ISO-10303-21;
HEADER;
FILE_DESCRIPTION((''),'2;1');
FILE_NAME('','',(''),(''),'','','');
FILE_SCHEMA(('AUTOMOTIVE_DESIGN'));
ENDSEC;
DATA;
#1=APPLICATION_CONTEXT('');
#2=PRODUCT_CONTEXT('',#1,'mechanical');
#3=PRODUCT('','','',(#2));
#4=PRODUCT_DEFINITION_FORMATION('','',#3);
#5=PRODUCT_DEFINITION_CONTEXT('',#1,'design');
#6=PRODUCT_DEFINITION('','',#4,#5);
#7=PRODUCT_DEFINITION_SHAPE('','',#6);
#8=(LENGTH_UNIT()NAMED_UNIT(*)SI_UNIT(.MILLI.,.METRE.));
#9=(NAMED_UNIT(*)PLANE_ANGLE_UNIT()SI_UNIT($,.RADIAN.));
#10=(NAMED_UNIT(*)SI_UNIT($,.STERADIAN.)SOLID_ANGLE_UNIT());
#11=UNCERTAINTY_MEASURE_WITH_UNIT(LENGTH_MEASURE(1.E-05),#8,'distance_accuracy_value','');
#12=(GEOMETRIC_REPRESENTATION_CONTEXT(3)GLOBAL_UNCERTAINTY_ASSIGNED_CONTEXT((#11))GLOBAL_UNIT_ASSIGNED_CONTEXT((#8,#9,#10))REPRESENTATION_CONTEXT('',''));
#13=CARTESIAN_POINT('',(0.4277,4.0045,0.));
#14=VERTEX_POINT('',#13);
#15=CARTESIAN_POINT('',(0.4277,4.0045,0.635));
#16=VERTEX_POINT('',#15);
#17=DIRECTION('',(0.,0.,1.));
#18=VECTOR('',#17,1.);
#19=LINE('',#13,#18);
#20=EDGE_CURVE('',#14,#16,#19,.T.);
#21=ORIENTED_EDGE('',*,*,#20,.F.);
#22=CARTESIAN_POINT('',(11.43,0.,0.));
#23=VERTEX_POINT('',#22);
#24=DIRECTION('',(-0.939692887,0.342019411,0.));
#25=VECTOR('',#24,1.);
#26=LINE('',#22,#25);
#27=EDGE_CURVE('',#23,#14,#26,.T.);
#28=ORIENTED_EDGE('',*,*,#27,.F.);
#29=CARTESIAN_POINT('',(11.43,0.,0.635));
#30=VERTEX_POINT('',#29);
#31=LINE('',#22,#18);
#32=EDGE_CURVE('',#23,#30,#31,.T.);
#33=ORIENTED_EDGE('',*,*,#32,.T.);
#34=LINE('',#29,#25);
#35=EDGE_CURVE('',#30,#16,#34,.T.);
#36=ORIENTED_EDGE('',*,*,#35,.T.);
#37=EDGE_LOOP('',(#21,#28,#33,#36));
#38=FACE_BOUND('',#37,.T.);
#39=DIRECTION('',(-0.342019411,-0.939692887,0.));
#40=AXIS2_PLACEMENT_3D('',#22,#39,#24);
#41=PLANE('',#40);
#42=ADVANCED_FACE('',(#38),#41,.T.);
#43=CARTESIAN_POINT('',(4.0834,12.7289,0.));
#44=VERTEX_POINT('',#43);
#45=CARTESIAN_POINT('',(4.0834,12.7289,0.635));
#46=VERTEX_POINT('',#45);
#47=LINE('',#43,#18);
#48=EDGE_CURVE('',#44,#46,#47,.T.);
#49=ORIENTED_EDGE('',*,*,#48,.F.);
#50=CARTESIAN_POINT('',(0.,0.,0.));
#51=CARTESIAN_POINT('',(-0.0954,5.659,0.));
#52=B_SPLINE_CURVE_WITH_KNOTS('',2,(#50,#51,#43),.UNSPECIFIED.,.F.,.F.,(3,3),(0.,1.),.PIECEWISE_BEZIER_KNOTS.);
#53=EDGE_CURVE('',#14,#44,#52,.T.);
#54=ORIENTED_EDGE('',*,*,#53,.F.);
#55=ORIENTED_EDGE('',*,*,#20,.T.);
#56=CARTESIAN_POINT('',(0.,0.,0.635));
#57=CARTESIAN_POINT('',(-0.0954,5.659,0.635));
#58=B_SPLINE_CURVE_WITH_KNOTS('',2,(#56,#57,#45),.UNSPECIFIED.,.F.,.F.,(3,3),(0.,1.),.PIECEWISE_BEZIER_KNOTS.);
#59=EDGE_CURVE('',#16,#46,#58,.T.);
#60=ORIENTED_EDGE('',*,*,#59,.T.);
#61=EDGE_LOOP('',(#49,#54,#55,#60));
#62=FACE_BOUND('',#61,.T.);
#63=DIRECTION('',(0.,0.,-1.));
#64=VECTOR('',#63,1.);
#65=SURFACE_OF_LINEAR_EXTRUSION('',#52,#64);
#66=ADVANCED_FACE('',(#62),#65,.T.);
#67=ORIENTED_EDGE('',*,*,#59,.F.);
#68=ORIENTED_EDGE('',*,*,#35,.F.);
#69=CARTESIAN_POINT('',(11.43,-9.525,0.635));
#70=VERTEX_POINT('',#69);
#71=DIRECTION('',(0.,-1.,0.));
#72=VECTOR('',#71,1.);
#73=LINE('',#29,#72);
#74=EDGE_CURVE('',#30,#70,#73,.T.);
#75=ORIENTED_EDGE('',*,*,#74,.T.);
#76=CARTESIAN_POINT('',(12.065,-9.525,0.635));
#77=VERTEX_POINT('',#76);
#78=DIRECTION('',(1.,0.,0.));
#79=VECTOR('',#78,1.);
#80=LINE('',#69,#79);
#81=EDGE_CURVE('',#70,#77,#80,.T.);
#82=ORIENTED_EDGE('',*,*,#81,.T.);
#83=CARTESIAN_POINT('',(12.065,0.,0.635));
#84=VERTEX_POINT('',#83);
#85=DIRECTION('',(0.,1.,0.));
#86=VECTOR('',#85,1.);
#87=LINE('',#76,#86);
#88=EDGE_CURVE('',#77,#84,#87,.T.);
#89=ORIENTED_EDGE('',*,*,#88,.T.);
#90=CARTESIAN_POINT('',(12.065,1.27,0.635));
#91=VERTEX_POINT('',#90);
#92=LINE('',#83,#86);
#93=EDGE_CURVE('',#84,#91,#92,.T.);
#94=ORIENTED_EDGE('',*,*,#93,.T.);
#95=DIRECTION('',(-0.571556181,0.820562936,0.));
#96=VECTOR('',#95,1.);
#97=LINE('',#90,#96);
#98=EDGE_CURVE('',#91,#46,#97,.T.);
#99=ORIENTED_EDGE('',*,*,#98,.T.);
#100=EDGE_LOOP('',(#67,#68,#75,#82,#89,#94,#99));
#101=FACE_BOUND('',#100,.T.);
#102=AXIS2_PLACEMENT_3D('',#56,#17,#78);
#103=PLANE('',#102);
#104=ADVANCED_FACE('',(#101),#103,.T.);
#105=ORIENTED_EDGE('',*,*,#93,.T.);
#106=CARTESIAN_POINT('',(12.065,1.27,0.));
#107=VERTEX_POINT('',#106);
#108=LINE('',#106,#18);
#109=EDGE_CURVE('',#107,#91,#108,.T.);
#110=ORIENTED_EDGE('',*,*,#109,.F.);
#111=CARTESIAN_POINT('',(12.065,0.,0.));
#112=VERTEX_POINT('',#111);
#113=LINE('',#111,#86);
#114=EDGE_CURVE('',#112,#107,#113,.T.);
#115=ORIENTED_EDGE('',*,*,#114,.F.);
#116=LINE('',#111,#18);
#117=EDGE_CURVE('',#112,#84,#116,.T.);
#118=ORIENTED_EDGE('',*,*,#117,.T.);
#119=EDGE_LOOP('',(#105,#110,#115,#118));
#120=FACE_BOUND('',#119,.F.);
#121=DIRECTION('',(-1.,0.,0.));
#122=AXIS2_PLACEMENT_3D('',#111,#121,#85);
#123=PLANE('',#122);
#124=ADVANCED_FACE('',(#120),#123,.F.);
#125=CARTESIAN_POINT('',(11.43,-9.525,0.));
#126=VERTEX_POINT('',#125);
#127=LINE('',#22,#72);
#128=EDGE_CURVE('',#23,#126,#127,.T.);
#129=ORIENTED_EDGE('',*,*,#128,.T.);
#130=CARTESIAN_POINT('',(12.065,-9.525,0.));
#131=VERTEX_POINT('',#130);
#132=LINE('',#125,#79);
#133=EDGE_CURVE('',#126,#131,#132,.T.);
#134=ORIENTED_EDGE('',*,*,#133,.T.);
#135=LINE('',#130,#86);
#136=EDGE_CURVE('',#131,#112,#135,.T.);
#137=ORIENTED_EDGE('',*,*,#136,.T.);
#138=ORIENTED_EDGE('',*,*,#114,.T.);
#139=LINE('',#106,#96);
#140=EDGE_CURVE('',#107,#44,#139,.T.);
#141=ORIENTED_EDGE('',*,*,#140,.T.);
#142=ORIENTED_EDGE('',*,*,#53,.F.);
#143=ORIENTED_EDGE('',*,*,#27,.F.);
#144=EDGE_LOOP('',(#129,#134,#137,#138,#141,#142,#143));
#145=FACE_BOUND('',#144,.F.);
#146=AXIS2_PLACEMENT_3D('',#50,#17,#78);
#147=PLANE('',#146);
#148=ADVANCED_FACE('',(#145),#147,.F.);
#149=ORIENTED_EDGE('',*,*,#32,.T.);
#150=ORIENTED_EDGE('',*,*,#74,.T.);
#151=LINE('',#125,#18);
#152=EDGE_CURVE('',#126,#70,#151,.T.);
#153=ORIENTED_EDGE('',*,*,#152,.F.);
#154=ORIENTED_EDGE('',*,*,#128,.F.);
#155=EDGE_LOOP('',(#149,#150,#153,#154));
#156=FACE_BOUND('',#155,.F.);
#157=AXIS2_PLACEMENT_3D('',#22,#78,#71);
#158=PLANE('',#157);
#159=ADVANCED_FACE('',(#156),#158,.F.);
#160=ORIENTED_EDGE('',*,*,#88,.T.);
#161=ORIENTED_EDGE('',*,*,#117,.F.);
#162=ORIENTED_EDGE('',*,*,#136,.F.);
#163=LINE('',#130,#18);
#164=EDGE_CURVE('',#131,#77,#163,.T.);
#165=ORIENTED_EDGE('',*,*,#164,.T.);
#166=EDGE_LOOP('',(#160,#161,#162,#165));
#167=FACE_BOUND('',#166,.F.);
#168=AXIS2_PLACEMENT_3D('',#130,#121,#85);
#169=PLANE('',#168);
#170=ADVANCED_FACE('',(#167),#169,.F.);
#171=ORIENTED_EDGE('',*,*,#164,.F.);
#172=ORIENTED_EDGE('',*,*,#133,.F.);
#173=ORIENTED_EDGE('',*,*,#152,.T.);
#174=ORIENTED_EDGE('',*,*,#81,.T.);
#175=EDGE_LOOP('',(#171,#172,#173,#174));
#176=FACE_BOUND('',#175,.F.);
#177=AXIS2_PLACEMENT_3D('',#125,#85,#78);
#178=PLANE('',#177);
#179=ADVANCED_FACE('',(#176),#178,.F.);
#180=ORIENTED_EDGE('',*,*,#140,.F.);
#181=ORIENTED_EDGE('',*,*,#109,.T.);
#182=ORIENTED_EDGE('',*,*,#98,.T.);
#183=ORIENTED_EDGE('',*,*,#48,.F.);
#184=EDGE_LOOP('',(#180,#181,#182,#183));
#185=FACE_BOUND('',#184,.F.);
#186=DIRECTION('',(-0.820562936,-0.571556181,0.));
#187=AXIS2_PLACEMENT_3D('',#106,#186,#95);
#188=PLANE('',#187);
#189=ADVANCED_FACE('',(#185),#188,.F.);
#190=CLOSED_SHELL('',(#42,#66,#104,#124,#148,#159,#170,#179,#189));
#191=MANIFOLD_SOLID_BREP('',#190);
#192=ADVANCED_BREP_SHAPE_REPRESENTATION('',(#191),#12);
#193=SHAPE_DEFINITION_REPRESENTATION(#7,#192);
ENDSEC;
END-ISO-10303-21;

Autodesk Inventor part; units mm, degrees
ref_plane "YZ Plane" through (0, 0, 0) normal (1, 0, 0) x (0, 1, 0)
ref_plane "XZ Plane" through (0, 0, 0) normal (0, 1, 0) x (-1, 0, 0)
ref_plane "XY Plane" through (0, 0, 0) normal (0, 0, 1) x (1, 0, 0)
sketch "Sketch1" plane through (0, 0, 0) normal (0, 0, 1) x (1, 0, 0)
  spline S0 degree 2 poles (0, 0) (-0.0954, 5.659) (4.0834, 12.7289) knots 0 0 0 1 1 1
  line L0 (0, 0) -> (-3.175, 0)
  line L1 (-3.175, 0) -> (11.43, 0)
  line L2 (11.43, 0) -> (11.43, -9.525)
  line L3 (11.43, -9.525) -> (12.065, -9.525)
  line L4 (12.065, -9.525) -> (12.065, 0)
  line L5 (11.43, 0) -> (0.4277, 4.0045)
  line L6 (12.065, 0) -> (12.065, 1.27)
  line L7 (12.065, 1.27) -> (4.0834, 12.7289)
  point P0 (0.7864, 5.4019)
  dimension "d0" = 4.0834
  dimension "d1" = 12.7289
  dimension "d2" = 7.327
  dimension "d3" = 3.297
  dimension "d4" = 3.175
  dimension "d5" = 14.605
  dimension "d6" = 9.525
  dimension "d7" = 0.635
  dimension "d8" = 20
  dimension "d11" = 1.27
extrude "Extrusion2" add sketch "Sketch1" along normal blind 0.635 contours S0 L7 L6 L4 L3 L2 L5
properties part number "PropShroudSupport"
